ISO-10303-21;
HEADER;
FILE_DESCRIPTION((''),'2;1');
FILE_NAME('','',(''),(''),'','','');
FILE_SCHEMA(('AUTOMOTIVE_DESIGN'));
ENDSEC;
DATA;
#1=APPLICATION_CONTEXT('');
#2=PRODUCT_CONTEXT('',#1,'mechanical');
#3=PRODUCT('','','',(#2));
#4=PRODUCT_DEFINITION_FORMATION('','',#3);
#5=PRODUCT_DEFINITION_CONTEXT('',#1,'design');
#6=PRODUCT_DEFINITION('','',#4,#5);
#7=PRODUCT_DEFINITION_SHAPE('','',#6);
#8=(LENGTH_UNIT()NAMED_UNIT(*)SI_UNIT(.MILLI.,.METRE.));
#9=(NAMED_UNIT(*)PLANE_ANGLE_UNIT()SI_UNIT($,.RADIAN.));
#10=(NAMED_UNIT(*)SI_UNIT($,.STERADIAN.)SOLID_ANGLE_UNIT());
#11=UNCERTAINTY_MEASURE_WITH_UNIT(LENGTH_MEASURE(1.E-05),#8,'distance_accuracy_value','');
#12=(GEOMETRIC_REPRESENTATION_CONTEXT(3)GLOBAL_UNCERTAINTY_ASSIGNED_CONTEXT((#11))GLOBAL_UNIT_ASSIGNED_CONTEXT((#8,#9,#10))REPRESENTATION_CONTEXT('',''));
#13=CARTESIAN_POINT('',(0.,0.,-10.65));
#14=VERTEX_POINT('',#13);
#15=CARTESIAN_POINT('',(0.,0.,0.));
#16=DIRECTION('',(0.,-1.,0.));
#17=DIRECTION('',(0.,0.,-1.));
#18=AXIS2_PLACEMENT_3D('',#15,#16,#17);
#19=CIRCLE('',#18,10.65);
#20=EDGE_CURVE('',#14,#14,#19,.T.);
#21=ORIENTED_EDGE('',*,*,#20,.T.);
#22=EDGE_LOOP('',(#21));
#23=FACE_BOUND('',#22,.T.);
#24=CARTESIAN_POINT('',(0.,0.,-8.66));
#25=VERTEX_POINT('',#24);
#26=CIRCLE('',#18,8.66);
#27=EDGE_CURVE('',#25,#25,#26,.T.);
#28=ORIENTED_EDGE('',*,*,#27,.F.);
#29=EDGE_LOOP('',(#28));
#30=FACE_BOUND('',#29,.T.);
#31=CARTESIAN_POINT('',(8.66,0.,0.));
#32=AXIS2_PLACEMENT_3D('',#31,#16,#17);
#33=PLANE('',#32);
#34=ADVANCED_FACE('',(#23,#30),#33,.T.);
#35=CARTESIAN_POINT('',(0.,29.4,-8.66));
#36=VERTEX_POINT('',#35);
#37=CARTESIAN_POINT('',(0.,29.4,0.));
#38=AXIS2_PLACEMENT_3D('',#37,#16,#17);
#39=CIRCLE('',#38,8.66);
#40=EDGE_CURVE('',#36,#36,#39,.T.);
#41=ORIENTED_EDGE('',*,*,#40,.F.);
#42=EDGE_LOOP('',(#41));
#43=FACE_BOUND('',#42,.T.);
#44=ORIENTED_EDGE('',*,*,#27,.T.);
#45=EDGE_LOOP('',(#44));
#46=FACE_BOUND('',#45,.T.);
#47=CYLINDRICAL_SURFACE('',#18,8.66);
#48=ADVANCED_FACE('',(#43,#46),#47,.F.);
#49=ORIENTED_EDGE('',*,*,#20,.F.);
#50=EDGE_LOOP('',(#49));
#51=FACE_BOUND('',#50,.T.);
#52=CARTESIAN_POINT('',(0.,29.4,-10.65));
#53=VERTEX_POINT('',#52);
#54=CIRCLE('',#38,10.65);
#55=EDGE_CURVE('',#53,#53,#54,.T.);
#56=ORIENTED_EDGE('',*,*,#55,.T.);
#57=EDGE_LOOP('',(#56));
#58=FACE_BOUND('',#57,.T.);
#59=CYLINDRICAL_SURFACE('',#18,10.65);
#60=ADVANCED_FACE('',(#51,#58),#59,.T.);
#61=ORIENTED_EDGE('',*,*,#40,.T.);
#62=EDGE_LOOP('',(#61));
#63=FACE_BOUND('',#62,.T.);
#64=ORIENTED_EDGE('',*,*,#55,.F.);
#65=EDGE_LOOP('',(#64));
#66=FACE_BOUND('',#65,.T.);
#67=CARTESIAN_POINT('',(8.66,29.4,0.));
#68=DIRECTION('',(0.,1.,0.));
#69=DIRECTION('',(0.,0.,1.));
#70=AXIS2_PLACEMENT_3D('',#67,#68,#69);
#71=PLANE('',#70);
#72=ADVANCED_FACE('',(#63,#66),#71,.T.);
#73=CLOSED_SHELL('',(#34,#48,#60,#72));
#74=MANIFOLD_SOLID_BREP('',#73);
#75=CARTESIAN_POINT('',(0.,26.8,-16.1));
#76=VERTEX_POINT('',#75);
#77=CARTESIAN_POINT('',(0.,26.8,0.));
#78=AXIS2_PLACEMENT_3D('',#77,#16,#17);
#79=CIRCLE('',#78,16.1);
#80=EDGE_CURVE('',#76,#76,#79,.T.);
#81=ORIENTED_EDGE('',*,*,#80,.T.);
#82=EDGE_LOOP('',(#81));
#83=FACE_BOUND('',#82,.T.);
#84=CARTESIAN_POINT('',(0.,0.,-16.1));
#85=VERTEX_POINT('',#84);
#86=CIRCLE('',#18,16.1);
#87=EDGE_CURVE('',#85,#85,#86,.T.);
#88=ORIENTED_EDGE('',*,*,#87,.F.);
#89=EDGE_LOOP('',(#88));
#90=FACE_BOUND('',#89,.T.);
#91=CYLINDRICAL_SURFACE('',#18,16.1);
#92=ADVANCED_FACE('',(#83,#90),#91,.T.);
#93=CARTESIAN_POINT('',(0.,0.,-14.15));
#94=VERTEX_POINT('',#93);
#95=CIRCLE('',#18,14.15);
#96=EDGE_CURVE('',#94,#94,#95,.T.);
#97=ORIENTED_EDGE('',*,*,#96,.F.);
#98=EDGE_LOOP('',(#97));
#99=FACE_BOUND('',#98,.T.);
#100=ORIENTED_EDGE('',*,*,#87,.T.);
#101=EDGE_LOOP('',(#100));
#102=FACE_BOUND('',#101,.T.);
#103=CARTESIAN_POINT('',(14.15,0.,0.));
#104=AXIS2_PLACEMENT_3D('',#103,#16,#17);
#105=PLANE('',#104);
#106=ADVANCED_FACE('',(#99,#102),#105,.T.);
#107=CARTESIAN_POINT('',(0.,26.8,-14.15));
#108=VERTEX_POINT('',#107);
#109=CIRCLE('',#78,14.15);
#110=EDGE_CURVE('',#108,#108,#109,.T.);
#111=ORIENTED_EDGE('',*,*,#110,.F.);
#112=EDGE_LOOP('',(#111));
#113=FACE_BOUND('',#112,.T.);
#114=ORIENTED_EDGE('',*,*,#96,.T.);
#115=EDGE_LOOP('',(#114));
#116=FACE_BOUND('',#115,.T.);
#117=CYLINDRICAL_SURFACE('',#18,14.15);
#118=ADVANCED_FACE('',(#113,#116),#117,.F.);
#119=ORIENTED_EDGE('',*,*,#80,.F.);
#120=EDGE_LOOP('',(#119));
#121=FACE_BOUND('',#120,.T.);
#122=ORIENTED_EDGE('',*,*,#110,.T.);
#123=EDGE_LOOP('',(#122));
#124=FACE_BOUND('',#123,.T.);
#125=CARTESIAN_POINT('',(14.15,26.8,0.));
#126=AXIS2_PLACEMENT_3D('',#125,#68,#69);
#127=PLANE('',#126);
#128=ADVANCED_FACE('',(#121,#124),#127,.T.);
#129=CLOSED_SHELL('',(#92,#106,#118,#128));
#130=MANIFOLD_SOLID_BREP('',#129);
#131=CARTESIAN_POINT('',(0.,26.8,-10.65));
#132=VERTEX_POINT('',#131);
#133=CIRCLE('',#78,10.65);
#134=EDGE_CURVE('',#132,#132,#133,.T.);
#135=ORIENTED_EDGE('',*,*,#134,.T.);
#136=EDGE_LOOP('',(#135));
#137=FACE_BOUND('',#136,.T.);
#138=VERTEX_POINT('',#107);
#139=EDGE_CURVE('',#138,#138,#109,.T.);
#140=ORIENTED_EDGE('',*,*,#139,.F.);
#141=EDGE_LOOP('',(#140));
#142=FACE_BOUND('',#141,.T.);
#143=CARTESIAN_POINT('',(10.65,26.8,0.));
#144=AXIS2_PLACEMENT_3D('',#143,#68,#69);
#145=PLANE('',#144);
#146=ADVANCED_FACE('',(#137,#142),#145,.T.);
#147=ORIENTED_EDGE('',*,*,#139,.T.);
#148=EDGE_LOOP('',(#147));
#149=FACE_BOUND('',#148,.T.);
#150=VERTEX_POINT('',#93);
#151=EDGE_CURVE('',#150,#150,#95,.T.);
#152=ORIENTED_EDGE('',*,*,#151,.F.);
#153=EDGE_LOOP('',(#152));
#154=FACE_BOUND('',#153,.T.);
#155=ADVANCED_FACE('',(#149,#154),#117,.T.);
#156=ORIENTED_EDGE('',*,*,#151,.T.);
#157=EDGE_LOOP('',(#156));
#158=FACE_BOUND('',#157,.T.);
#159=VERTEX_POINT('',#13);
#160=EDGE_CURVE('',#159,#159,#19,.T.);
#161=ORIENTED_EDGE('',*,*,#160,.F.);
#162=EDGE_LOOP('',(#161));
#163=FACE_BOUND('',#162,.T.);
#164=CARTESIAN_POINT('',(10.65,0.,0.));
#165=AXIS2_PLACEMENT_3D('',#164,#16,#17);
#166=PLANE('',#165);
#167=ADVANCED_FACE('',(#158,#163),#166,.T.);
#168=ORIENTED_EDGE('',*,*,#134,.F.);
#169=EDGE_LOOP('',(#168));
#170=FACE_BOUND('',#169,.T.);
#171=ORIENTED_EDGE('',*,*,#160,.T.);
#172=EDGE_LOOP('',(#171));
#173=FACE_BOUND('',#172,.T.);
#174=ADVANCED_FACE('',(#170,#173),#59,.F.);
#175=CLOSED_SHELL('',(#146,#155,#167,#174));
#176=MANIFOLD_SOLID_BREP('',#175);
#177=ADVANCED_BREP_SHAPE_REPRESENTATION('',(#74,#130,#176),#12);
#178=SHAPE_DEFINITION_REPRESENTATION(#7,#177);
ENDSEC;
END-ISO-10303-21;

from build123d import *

# Parameters (mm, degrees)
IZIM1_W   = 1.99
IZIM1_H   = 29.4
IZIM1_W_2 = 1.95
IZIM1_H_2 = 26.8
IZIM4_W   = 3.5
IZIM4_H   = 26.8


with BuildPart() as part:
    # Çizim1 → Döndür1 (revolve)
    with BuildSketch(Plane.XY, mode=Mode.PRIVATE) as d_nd_r1_sk:
        with Locations((9.655, 14.7)):
            Rectangle(IZIM1_W, IZIM1_H)
        with Locations((15.125, 13.4)):
            Rectangle(IZIM1_W_2, IZIM1_H_2)
    revolve(d_nd_r1_sk.sketch.rotate(Axis((0, 0, 0), (0, 1, 0)), 90), axis=Axis((0, 0, 0), (0, 1, 0)))


with BuildPart() as body_2:
    # Çizim4 → Döndür3 (revolve)
    with BuildSketch(Plane.XY, mode=Mode.PRIVATE) as d_nd_r3_sk:
        with Locations((12.4, 13.4)):
            Rectangle(IZIM4_W, IZIM4_H)
    revolve(d_nd_r3_sk.sketch.rotate(Axis((0, 0, 0), (0, 1, 0)), 90), axis=Axis((0, 0, 0), (0, 1, 0)))


solid = Compound([part.part, body_2.part])
